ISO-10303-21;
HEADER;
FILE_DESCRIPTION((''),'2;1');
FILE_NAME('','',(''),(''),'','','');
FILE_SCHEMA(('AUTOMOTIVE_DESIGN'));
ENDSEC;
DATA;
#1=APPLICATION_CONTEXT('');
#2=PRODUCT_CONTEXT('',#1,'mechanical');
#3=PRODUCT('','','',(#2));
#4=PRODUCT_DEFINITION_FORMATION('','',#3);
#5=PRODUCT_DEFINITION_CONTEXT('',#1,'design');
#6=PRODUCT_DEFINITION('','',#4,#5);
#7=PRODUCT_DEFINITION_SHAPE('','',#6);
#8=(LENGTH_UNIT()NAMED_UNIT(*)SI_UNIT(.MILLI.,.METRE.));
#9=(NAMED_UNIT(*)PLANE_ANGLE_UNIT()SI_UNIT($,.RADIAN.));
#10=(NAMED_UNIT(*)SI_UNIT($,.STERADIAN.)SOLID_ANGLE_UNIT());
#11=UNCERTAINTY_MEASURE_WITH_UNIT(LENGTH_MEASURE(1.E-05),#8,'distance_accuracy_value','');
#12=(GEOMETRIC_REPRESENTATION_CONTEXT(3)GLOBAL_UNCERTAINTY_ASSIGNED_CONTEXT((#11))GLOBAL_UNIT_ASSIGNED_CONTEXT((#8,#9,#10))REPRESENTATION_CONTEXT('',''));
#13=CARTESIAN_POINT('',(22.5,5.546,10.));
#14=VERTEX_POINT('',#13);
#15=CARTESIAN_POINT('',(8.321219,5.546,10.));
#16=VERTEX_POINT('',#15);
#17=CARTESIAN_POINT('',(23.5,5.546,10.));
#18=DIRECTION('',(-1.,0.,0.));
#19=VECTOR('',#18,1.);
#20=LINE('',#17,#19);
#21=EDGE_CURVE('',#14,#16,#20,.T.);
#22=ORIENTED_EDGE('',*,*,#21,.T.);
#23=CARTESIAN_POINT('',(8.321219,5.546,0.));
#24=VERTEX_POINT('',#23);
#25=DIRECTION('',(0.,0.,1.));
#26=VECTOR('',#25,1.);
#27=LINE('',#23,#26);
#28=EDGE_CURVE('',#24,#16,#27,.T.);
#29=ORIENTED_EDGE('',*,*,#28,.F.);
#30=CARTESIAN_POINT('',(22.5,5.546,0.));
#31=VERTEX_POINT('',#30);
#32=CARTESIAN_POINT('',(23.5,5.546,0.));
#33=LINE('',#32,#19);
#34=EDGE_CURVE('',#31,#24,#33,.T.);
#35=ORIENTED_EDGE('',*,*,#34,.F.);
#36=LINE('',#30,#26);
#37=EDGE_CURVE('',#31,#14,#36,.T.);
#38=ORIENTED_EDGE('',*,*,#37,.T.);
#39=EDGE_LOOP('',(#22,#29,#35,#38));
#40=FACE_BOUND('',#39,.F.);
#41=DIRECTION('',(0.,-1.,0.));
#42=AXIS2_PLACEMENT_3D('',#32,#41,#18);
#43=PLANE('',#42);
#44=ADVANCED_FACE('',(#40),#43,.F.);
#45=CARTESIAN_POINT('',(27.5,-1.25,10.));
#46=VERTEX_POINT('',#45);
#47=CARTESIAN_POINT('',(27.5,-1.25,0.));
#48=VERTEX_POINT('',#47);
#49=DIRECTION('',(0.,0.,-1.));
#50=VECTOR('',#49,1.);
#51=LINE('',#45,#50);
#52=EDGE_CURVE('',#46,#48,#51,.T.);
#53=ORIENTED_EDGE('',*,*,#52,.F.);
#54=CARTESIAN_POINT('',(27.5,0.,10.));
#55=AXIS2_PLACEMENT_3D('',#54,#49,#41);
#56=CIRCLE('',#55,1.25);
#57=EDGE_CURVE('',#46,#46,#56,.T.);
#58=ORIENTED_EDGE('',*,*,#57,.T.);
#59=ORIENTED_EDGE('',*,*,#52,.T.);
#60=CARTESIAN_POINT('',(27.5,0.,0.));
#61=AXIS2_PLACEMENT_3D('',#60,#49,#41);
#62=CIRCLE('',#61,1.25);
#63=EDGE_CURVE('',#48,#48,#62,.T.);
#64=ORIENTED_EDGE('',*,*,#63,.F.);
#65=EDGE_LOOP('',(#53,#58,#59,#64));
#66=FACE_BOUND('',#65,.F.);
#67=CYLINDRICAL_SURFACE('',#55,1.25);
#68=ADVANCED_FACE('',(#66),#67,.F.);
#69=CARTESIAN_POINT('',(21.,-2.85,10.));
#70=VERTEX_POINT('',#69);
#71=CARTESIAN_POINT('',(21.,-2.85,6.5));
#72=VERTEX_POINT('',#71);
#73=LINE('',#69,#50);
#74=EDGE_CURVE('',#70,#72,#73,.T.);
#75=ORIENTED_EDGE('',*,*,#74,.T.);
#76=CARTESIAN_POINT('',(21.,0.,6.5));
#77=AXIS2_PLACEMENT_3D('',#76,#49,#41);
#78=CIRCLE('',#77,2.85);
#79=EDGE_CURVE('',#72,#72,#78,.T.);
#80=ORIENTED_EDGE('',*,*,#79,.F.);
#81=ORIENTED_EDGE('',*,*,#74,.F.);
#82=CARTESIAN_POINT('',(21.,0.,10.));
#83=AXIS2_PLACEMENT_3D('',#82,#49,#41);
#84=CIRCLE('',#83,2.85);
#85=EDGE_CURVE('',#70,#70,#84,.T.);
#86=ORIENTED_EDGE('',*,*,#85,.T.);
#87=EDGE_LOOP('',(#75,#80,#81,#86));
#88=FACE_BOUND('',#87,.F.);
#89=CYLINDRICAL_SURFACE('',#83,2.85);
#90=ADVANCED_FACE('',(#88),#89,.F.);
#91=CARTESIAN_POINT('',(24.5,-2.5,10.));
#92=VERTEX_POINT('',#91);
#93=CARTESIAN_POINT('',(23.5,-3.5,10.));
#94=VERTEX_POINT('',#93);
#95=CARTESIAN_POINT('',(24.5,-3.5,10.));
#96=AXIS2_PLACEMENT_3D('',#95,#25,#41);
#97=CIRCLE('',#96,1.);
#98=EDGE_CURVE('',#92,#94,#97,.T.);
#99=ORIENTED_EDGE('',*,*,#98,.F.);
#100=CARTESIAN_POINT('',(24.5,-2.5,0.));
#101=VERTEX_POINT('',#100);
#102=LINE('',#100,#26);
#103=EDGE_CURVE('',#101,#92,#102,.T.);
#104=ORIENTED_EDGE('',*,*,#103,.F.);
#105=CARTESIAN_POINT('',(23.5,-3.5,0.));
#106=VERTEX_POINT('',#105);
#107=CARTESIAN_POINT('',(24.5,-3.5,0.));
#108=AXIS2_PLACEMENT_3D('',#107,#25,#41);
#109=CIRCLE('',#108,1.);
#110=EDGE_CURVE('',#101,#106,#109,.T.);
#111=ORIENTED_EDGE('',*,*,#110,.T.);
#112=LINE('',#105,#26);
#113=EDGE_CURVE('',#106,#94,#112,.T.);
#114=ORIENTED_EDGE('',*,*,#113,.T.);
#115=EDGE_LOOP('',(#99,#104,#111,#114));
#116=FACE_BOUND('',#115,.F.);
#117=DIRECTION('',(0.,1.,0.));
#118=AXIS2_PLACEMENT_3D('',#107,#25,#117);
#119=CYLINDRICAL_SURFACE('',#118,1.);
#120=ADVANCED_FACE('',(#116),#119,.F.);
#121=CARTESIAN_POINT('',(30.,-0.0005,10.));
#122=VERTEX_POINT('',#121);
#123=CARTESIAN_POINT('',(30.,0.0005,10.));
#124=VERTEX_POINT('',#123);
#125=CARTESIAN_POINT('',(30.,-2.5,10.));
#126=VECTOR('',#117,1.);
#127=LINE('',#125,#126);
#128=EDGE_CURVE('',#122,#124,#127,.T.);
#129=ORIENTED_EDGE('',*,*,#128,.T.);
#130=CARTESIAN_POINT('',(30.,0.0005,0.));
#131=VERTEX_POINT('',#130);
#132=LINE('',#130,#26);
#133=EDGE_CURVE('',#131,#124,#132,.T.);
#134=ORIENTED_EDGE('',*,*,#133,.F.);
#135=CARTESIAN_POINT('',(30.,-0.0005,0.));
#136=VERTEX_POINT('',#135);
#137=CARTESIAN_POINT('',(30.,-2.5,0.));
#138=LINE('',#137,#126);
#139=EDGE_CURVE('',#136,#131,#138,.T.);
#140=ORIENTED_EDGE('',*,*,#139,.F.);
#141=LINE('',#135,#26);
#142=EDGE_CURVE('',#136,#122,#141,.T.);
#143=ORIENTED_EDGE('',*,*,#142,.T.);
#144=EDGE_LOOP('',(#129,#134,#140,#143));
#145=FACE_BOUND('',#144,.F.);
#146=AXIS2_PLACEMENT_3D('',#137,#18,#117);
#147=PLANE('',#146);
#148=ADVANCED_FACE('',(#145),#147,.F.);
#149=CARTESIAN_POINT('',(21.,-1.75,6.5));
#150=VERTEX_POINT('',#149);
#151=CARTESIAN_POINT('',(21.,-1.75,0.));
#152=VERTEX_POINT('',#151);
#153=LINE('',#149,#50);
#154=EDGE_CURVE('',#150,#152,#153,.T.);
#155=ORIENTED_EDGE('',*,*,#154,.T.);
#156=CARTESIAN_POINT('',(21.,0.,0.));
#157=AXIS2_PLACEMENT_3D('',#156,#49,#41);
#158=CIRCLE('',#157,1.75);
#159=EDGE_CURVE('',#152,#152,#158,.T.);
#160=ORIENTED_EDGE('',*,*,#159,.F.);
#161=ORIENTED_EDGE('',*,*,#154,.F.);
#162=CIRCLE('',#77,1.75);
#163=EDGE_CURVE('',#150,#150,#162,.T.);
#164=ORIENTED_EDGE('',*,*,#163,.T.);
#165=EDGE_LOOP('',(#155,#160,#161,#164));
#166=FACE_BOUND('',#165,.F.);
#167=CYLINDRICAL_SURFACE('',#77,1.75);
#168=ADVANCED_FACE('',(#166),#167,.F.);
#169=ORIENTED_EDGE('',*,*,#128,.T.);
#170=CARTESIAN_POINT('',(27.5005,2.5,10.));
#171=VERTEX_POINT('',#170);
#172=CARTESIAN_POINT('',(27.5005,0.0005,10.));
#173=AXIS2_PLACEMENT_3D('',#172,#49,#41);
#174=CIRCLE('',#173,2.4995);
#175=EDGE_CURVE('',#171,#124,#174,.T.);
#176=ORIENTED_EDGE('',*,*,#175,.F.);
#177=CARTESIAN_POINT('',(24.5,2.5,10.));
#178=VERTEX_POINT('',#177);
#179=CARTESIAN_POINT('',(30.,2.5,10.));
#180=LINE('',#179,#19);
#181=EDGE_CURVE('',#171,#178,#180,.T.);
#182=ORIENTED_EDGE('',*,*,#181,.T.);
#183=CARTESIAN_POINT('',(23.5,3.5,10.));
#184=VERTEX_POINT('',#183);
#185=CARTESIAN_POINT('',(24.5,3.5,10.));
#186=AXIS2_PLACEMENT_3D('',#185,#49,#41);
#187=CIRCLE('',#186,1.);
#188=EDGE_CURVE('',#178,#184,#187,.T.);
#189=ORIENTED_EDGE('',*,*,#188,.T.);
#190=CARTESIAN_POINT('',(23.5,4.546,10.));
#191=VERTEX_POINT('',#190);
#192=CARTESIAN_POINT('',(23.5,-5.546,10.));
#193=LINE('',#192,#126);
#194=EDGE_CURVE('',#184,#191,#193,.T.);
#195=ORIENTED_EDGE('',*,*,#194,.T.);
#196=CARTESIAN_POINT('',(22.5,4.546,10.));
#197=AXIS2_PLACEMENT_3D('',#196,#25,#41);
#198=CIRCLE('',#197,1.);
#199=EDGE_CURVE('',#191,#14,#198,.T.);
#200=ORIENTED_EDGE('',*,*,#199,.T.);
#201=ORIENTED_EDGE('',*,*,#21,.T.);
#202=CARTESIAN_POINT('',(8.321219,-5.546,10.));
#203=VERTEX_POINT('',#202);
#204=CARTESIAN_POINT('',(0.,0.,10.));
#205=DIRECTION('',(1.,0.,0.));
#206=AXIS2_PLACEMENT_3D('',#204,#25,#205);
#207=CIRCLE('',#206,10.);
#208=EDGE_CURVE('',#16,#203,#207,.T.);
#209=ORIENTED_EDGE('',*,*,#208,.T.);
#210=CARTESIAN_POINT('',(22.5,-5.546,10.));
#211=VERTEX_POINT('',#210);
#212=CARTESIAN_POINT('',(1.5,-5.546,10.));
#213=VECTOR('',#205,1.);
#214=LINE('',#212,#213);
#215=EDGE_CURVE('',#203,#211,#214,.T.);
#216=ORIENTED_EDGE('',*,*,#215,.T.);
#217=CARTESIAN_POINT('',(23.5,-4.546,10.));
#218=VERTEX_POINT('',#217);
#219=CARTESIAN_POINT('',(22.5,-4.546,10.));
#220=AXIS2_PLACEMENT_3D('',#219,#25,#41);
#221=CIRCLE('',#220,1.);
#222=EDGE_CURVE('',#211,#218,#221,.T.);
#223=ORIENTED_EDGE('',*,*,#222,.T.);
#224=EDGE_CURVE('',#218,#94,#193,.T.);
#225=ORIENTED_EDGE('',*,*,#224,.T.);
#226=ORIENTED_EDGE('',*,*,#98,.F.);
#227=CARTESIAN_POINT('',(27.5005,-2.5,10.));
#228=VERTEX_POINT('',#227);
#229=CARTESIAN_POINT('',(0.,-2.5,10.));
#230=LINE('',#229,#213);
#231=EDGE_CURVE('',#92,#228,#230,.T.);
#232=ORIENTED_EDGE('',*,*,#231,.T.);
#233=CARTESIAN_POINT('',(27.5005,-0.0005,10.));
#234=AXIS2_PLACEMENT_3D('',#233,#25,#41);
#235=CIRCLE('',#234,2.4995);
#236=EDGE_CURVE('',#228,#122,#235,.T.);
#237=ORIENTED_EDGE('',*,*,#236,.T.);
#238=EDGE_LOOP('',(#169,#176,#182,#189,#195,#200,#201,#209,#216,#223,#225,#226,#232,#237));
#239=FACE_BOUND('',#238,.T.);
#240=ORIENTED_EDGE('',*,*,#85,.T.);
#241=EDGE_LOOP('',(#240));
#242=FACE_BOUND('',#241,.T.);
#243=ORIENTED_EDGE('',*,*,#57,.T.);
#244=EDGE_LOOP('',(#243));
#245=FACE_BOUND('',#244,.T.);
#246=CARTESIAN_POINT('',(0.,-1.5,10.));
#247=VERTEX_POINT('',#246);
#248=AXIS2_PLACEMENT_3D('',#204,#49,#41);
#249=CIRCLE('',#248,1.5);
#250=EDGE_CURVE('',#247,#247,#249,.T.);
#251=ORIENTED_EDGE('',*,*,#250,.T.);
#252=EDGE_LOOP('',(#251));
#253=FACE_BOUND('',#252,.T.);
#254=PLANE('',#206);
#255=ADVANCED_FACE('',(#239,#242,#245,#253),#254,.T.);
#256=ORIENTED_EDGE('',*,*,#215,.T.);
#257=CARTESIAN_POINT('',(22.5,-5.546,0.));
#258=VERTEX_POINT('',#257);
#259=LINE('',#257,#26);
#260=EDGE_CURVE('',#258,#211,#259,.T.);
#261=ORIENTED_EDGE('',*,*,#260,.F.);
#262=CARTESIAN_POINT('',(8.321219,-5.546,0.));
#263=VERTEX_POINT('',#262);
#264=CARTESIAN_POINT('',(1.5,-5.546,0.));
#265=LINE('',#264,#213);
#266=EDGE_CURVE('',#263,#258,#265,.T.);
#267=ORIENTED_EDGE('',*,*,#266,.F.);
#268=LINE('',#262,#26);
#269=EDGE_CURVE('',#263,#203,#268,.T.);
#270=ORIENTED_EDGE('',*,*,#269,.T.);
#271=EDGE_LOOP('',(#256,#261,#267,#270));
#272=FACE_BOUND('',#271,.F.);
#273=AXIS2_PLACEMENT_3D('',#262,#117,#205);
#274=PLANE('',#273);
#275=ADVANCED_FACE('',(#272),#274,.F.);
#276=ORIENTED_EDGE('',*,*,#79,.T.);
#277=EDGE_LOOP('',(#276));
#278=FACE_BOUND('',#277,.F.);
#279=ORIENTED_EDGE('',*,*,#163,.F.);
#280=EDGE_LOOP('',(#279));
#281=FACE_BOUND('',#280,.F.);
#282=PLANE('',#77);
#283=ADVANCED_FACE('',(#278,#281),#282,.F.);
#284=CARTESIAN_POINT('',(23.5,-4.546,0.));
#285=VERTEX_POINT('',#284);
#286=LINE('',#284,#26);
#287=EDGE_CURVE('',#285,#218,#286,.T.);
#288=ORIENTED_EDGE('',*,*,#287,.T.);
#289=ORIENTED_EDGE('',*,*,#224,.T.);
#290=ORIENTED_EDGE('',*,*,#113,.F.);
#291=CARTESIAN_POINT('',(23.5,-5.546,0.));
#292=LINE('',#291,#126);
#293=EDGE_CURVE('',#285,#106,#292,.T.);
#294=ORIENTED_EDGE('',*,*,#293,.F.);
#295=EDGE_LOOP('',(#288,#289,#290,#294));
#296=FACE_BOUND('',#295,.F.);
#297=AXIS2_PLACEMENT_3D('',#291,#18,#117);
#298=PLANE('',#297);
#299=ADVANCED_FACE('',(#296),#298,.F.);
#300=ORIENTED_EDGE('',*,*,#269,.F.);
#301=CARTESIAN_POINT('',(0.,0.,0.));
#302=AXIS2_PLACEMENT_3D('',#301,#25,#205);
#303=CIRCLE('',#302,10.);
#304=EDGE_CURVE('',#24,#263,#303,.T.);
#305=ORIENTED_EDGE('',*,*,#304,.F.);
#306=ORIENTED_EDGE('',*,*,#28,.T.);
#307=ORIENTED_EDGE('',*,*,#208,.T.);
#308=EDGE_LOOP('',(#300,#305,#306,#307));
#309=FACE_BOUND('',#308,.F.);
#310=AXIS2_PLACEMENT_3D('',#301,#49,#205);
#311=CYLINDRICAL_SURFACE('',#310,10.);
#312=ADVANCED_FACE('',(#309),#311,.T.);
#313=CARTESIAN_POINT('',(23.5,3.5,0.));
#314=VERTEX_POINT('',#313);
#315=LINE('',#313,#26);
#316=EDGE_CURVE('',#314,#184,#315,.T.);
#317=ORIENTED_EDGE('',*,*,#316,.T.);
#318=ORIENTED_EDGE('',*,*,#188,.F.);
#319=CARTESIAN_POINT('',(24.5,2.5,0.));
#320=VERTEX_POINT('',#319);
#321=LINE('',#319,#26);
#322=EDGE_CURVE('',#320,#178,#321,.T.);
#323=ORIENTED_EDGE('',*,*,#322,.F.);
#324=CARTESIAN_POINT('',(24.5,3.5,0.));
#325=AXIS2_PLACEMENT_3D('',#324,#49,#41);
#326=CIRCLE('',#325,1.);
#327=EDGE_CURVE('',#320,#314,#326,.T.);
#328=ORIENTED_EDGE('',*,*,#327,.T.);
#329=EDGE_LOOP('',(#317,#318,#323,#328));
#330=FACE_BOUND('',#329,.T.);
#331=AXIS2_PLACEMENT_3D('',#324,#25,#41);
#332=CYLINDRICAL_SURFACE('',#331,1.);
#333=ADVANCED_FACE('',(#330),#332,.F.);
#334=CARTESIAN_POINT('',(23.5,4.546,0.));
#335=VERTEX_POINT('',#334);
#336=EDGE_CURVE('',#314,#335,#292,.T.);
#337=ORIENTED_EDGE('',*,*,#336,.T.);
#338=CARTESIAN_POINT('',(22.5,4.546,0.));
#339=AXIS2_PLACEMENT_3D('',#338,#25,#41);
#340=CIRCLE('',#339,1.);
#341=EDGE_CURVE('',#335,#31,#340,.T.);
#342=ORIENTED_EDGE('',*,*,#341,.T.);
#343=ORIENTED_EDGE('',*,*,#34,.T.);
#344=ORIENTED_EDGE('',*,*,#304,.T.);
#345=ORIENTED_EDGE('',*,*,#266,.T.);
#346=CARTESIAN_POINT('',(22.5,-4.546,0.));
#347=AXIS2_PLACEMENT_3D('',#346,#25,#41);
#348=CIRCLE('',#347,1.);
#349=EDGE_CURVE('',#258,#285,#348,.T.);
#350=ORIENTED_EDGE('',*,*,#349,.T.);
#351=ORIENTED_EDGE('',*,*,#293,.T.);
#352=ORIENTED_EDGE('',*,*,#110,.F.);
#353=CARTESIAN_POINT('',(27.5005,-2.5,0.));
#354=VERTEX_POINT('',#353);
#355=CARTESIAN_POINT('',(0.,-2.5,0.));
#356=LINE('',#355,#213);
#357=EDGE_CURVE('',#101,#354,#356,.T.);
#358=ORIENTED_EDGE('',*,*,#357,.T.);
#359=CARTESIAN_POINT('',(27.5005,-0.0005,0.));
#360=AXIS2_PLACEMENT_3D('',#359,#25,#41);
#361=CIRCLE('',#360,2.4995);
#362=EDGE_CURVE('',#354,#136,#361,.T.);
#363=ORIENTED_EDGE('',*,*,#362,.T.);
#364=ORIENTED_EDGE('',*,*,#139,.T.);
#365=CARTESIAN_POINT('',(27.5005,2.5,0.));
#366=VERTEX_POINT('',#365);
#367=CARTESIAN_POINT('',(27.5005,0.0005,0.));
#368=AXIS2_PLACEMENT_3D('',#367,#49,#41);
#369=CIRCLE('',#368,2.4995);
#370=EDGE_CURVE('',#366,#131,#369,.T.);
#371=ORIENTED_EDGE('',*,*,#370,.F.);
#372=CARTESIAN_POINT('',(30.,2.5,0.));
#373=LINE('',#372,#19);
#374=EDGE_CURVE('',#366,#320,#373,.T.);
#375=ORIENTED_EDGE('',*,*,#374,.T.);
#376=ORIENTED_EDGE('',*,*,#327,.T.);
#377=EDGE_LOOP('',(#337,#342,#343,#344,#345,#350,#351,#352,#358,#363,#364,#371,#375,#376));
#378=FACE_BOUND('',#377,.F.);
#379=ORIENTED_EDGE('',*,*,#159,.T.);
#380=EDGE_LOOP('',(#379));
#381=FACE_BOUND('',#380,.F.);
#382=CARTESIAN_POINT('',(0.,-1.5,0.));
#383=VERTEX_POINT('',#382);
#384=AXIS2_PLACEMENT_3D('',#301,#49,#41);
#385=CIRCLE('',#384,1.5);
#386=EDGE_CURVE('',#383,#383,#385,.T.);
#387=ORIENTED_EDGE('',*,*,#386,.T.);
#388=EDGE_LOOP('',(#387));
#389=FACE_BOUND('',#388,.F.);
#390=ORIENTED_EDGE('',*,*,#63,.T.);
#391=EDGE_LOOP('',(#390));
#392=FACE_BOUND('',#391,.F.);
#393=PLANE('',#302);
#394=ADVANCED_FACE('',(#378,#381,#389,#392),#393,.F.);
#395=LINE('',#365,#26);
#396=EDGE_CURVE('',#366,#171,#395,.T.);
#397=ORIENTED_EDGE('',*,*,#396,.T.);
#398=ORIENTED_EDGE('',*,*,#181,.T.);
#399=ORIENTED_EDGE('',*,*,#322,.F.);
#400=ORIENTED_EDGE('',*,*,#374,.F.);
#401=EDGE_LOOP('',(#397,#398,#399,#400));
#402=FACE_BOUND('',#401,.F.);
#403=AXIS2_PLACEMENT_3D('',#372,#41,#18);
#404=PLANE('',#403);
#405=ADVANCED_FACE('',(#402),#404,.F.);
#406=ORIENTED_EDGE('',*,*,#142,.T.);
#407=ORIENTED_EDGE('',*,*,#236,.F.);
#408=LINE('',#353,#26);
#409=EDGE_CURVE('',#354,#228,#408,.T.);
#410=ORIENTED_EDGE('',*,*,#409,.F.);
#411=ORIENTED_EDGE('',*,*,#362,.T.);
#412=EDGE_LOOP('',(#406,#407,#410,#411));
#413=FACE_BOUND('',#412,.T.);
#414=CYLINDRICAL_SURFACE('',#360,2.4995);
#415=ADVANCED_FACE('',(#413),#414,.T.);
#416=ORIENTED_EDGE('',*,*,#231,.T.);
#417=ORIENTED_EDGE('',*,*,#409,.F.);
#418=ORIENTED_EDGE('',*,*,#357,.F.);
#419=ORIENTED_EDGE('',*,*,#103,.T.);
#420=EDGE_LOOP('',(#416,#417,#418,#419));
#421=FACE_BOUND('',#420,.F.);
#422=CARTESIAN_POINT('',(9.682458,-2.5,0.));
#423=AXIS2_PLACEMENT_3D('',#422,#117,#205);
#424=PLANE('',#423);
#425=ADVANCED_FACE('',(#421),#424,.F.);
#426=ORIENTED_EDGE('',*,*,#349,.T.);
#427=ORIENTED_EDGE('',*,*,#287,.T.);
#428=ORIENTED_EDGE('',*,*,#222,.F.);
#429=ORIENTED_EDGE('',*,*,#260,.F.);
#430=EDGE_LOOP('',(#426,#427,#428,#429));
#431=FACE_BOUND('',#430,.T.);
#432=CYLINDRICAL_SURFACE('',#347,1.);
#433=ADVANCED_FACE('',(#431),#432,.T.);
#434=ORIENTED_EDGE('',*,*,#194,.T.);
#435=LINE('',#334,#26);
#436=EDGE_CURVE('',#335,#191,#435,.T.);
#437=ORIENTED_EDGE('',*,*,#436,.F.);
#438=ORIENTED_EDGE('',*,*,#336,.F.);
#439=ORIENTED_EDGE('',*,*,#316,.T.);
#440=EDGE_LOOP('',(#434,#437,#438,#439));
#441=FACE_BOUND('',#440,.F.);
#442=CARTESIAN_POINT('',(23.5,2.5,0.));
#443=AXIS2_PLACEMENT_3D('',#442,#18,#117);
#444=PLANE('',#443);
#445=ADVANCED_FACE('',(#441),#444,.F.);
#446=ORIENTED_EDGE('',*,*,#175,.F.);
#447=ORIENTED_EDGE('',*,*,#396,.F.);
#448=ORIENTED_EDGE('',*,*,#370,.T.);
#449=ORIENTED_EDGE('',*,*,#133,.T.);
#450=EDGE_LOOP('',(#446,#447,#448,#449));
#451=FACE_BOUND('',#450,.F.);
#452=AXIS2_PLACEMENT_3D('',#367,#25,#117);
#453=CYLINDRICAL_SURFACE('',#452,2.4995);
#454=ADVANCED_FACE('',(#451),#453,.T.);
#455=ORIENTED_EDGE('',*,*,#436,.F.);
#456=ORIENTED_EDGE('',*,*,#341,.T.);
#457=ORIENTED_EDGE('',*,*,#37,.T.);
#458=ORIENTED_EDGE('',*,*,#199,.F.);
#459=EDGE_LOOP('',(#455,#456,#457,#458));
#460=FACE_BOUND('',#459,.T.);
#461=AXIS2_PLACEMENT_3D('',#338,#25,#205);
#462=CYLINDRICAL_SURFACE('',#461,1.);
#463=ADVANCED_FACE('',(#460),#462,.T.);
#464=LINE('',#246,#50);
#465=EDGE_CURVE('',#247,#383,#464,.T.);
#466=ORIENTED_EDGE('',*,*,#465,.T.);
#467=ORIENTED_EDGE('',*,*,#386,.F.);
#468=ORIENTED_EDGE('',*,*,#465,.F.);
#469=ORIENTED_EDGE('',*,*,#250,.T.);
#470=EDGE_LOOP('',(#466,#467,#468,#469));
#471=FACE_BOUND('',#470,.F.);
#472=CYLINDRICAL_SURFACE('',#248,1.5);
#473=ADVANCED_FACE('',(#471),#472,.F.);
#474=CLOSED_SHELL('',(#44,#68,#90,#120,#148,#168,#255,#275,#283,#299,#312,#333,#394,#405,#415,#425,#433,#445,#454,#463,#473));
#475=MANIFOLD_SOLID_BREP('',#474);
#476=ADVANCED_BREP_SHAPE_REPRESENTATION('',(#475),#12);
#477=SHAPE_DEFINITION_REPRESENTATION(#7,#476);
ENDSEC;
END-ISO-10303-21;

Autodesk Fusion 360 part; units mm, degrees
sketch "Sketch1" plane through (0, 0, 0) normal (0, 0, 1) x (1, 0, 0)
  circle A0 centre (0, 0) radius 10
extrude "Extrude1" add sketch "Sketch1" along normal blind 10
sketch "Sketch2" plane through (0, 0, 0) normal (0, 0, -1) x (1, 0, 0)
  circle A0 centre (0, 0) radius 10
  line L0 (0, 2.5) -> (30, 2.5)
  line L1 (30, 2.5) -> (30, -2.5)
  line L2 (30, -2.5) -> (0, -2.5)
  line L3 (0, -2.5) -> (0, 2.5)
  line L4 (0, 2.5) -> (30, -2.5) construction
  line L5 (30, 2.5) -> (0, -2.5) construction
  line L6 (15, 0) -> (0, 0) construction
  point P0 (15, 0)
  dimension "d19" = 5
  dimension "d20" = 30
extrude "Extrude2" add sketch "Sketch2" against normal up to surface (10 mm away) contours A0 L0 L1 L2
hole "Hole1" at (0, 0, 10) direction (0, 0, -1) diameter 3 end through all
fillet "Fillet1" radius 2.5 2 edges at (30, -2.5, 5) (30, 2.5, 5)
hole "Hole2" at (27.5, 0, 10) direction (0, 0, -1) diameter 2.5 end through all
sketch "Sketch4" plane through (0, 0, 0) normal (0, 0, -1) x (1, 0, 0)
  circle A0 centre (27.5, 0) radius 1.25
  circle A1 centre (0, 0) radius 1.5
  arc A2 (27.5, -2.5) -> (27.5, 2.5) centre (27.5, 0) ccw
  line L0 (27.5, 2.5) -> (9.6825, 2.5)
  arc A3 (9.6825, 2.5) -> (9.6825, -2.5) centre (0, 0) ccw
  line L1 (9.6825, -2.5) -> (27.5, -2.5)
  line L2 (1.5, 5.546) -> (23.5, 5.546)
  line L3 (23.5, 5.546) -> (23.5, -5.546)
  line L4 (23.5, -5.546) -> (1.5, -5.546)
  line L5 (1.5, -5.546) -> (1.5, 5.546)
  line L6 (1.5, 5.546) -> (23.5, -5.546) construction
  line L7 (23.5, 5.546) -> (1.5, -5.546) construction
  line L8 (12.5, 0) -> (23.5, 0) construction
  point P0 (12.5, 0)
  dimension "d35" = 4
extrude "Extrude4" add sketch "Sketch4" against normal up to surface (10 mm away) contours A3 L1 L3 L4 | L0 A3 L2 L3
sketch "Sketch6" plane through (0, 0, 10) normal (0, 0, 1) x (-1, 0, 0)
  line L0 (-23.5, 5.546) -> (-23.5, 2.5)
  line L1 (-23.5, 2.5) -> (-27.5, 2.5)
  arc A0 (-27.5, 2.5) -> (-27.5, -2.5) centre (-27.5, 0) ccw
  line L2 (-27.5, -2.5) -> (-23.5, -2.5)
  line L3 (-23.5, -2.5) -> (-23.5, -5.546)
  line L4 (-23.5, -5.546) -> (-8.3212, -5.546)
  arc A1 (-8.3212, -5.546) -> (-8.3212, 5.546) centre (0, 0) ccw
  line L5 (-8.3212, 5.546) -> (-23.5, 5.546)
  circle A2 centre (-27.5, 0) radius 1.25
  circle A3 centre (0, 0) radius 1.5
  circle A4 centre (-21, 0) radius 1
  dimension "d36" = 2.5
fillet "Fillet2" radius 1 4 edges at (23.5, 5.546, 5) (23.5, -5.546, 5) (23.5, 2.5, 5) (23.5, -2.5, 5)
hole "Hole4" at (21, 0, 10) direction (0, 0, -1) diameter 3.5 end through all counterbore diameter 5.7 counterbore depth 3.5
